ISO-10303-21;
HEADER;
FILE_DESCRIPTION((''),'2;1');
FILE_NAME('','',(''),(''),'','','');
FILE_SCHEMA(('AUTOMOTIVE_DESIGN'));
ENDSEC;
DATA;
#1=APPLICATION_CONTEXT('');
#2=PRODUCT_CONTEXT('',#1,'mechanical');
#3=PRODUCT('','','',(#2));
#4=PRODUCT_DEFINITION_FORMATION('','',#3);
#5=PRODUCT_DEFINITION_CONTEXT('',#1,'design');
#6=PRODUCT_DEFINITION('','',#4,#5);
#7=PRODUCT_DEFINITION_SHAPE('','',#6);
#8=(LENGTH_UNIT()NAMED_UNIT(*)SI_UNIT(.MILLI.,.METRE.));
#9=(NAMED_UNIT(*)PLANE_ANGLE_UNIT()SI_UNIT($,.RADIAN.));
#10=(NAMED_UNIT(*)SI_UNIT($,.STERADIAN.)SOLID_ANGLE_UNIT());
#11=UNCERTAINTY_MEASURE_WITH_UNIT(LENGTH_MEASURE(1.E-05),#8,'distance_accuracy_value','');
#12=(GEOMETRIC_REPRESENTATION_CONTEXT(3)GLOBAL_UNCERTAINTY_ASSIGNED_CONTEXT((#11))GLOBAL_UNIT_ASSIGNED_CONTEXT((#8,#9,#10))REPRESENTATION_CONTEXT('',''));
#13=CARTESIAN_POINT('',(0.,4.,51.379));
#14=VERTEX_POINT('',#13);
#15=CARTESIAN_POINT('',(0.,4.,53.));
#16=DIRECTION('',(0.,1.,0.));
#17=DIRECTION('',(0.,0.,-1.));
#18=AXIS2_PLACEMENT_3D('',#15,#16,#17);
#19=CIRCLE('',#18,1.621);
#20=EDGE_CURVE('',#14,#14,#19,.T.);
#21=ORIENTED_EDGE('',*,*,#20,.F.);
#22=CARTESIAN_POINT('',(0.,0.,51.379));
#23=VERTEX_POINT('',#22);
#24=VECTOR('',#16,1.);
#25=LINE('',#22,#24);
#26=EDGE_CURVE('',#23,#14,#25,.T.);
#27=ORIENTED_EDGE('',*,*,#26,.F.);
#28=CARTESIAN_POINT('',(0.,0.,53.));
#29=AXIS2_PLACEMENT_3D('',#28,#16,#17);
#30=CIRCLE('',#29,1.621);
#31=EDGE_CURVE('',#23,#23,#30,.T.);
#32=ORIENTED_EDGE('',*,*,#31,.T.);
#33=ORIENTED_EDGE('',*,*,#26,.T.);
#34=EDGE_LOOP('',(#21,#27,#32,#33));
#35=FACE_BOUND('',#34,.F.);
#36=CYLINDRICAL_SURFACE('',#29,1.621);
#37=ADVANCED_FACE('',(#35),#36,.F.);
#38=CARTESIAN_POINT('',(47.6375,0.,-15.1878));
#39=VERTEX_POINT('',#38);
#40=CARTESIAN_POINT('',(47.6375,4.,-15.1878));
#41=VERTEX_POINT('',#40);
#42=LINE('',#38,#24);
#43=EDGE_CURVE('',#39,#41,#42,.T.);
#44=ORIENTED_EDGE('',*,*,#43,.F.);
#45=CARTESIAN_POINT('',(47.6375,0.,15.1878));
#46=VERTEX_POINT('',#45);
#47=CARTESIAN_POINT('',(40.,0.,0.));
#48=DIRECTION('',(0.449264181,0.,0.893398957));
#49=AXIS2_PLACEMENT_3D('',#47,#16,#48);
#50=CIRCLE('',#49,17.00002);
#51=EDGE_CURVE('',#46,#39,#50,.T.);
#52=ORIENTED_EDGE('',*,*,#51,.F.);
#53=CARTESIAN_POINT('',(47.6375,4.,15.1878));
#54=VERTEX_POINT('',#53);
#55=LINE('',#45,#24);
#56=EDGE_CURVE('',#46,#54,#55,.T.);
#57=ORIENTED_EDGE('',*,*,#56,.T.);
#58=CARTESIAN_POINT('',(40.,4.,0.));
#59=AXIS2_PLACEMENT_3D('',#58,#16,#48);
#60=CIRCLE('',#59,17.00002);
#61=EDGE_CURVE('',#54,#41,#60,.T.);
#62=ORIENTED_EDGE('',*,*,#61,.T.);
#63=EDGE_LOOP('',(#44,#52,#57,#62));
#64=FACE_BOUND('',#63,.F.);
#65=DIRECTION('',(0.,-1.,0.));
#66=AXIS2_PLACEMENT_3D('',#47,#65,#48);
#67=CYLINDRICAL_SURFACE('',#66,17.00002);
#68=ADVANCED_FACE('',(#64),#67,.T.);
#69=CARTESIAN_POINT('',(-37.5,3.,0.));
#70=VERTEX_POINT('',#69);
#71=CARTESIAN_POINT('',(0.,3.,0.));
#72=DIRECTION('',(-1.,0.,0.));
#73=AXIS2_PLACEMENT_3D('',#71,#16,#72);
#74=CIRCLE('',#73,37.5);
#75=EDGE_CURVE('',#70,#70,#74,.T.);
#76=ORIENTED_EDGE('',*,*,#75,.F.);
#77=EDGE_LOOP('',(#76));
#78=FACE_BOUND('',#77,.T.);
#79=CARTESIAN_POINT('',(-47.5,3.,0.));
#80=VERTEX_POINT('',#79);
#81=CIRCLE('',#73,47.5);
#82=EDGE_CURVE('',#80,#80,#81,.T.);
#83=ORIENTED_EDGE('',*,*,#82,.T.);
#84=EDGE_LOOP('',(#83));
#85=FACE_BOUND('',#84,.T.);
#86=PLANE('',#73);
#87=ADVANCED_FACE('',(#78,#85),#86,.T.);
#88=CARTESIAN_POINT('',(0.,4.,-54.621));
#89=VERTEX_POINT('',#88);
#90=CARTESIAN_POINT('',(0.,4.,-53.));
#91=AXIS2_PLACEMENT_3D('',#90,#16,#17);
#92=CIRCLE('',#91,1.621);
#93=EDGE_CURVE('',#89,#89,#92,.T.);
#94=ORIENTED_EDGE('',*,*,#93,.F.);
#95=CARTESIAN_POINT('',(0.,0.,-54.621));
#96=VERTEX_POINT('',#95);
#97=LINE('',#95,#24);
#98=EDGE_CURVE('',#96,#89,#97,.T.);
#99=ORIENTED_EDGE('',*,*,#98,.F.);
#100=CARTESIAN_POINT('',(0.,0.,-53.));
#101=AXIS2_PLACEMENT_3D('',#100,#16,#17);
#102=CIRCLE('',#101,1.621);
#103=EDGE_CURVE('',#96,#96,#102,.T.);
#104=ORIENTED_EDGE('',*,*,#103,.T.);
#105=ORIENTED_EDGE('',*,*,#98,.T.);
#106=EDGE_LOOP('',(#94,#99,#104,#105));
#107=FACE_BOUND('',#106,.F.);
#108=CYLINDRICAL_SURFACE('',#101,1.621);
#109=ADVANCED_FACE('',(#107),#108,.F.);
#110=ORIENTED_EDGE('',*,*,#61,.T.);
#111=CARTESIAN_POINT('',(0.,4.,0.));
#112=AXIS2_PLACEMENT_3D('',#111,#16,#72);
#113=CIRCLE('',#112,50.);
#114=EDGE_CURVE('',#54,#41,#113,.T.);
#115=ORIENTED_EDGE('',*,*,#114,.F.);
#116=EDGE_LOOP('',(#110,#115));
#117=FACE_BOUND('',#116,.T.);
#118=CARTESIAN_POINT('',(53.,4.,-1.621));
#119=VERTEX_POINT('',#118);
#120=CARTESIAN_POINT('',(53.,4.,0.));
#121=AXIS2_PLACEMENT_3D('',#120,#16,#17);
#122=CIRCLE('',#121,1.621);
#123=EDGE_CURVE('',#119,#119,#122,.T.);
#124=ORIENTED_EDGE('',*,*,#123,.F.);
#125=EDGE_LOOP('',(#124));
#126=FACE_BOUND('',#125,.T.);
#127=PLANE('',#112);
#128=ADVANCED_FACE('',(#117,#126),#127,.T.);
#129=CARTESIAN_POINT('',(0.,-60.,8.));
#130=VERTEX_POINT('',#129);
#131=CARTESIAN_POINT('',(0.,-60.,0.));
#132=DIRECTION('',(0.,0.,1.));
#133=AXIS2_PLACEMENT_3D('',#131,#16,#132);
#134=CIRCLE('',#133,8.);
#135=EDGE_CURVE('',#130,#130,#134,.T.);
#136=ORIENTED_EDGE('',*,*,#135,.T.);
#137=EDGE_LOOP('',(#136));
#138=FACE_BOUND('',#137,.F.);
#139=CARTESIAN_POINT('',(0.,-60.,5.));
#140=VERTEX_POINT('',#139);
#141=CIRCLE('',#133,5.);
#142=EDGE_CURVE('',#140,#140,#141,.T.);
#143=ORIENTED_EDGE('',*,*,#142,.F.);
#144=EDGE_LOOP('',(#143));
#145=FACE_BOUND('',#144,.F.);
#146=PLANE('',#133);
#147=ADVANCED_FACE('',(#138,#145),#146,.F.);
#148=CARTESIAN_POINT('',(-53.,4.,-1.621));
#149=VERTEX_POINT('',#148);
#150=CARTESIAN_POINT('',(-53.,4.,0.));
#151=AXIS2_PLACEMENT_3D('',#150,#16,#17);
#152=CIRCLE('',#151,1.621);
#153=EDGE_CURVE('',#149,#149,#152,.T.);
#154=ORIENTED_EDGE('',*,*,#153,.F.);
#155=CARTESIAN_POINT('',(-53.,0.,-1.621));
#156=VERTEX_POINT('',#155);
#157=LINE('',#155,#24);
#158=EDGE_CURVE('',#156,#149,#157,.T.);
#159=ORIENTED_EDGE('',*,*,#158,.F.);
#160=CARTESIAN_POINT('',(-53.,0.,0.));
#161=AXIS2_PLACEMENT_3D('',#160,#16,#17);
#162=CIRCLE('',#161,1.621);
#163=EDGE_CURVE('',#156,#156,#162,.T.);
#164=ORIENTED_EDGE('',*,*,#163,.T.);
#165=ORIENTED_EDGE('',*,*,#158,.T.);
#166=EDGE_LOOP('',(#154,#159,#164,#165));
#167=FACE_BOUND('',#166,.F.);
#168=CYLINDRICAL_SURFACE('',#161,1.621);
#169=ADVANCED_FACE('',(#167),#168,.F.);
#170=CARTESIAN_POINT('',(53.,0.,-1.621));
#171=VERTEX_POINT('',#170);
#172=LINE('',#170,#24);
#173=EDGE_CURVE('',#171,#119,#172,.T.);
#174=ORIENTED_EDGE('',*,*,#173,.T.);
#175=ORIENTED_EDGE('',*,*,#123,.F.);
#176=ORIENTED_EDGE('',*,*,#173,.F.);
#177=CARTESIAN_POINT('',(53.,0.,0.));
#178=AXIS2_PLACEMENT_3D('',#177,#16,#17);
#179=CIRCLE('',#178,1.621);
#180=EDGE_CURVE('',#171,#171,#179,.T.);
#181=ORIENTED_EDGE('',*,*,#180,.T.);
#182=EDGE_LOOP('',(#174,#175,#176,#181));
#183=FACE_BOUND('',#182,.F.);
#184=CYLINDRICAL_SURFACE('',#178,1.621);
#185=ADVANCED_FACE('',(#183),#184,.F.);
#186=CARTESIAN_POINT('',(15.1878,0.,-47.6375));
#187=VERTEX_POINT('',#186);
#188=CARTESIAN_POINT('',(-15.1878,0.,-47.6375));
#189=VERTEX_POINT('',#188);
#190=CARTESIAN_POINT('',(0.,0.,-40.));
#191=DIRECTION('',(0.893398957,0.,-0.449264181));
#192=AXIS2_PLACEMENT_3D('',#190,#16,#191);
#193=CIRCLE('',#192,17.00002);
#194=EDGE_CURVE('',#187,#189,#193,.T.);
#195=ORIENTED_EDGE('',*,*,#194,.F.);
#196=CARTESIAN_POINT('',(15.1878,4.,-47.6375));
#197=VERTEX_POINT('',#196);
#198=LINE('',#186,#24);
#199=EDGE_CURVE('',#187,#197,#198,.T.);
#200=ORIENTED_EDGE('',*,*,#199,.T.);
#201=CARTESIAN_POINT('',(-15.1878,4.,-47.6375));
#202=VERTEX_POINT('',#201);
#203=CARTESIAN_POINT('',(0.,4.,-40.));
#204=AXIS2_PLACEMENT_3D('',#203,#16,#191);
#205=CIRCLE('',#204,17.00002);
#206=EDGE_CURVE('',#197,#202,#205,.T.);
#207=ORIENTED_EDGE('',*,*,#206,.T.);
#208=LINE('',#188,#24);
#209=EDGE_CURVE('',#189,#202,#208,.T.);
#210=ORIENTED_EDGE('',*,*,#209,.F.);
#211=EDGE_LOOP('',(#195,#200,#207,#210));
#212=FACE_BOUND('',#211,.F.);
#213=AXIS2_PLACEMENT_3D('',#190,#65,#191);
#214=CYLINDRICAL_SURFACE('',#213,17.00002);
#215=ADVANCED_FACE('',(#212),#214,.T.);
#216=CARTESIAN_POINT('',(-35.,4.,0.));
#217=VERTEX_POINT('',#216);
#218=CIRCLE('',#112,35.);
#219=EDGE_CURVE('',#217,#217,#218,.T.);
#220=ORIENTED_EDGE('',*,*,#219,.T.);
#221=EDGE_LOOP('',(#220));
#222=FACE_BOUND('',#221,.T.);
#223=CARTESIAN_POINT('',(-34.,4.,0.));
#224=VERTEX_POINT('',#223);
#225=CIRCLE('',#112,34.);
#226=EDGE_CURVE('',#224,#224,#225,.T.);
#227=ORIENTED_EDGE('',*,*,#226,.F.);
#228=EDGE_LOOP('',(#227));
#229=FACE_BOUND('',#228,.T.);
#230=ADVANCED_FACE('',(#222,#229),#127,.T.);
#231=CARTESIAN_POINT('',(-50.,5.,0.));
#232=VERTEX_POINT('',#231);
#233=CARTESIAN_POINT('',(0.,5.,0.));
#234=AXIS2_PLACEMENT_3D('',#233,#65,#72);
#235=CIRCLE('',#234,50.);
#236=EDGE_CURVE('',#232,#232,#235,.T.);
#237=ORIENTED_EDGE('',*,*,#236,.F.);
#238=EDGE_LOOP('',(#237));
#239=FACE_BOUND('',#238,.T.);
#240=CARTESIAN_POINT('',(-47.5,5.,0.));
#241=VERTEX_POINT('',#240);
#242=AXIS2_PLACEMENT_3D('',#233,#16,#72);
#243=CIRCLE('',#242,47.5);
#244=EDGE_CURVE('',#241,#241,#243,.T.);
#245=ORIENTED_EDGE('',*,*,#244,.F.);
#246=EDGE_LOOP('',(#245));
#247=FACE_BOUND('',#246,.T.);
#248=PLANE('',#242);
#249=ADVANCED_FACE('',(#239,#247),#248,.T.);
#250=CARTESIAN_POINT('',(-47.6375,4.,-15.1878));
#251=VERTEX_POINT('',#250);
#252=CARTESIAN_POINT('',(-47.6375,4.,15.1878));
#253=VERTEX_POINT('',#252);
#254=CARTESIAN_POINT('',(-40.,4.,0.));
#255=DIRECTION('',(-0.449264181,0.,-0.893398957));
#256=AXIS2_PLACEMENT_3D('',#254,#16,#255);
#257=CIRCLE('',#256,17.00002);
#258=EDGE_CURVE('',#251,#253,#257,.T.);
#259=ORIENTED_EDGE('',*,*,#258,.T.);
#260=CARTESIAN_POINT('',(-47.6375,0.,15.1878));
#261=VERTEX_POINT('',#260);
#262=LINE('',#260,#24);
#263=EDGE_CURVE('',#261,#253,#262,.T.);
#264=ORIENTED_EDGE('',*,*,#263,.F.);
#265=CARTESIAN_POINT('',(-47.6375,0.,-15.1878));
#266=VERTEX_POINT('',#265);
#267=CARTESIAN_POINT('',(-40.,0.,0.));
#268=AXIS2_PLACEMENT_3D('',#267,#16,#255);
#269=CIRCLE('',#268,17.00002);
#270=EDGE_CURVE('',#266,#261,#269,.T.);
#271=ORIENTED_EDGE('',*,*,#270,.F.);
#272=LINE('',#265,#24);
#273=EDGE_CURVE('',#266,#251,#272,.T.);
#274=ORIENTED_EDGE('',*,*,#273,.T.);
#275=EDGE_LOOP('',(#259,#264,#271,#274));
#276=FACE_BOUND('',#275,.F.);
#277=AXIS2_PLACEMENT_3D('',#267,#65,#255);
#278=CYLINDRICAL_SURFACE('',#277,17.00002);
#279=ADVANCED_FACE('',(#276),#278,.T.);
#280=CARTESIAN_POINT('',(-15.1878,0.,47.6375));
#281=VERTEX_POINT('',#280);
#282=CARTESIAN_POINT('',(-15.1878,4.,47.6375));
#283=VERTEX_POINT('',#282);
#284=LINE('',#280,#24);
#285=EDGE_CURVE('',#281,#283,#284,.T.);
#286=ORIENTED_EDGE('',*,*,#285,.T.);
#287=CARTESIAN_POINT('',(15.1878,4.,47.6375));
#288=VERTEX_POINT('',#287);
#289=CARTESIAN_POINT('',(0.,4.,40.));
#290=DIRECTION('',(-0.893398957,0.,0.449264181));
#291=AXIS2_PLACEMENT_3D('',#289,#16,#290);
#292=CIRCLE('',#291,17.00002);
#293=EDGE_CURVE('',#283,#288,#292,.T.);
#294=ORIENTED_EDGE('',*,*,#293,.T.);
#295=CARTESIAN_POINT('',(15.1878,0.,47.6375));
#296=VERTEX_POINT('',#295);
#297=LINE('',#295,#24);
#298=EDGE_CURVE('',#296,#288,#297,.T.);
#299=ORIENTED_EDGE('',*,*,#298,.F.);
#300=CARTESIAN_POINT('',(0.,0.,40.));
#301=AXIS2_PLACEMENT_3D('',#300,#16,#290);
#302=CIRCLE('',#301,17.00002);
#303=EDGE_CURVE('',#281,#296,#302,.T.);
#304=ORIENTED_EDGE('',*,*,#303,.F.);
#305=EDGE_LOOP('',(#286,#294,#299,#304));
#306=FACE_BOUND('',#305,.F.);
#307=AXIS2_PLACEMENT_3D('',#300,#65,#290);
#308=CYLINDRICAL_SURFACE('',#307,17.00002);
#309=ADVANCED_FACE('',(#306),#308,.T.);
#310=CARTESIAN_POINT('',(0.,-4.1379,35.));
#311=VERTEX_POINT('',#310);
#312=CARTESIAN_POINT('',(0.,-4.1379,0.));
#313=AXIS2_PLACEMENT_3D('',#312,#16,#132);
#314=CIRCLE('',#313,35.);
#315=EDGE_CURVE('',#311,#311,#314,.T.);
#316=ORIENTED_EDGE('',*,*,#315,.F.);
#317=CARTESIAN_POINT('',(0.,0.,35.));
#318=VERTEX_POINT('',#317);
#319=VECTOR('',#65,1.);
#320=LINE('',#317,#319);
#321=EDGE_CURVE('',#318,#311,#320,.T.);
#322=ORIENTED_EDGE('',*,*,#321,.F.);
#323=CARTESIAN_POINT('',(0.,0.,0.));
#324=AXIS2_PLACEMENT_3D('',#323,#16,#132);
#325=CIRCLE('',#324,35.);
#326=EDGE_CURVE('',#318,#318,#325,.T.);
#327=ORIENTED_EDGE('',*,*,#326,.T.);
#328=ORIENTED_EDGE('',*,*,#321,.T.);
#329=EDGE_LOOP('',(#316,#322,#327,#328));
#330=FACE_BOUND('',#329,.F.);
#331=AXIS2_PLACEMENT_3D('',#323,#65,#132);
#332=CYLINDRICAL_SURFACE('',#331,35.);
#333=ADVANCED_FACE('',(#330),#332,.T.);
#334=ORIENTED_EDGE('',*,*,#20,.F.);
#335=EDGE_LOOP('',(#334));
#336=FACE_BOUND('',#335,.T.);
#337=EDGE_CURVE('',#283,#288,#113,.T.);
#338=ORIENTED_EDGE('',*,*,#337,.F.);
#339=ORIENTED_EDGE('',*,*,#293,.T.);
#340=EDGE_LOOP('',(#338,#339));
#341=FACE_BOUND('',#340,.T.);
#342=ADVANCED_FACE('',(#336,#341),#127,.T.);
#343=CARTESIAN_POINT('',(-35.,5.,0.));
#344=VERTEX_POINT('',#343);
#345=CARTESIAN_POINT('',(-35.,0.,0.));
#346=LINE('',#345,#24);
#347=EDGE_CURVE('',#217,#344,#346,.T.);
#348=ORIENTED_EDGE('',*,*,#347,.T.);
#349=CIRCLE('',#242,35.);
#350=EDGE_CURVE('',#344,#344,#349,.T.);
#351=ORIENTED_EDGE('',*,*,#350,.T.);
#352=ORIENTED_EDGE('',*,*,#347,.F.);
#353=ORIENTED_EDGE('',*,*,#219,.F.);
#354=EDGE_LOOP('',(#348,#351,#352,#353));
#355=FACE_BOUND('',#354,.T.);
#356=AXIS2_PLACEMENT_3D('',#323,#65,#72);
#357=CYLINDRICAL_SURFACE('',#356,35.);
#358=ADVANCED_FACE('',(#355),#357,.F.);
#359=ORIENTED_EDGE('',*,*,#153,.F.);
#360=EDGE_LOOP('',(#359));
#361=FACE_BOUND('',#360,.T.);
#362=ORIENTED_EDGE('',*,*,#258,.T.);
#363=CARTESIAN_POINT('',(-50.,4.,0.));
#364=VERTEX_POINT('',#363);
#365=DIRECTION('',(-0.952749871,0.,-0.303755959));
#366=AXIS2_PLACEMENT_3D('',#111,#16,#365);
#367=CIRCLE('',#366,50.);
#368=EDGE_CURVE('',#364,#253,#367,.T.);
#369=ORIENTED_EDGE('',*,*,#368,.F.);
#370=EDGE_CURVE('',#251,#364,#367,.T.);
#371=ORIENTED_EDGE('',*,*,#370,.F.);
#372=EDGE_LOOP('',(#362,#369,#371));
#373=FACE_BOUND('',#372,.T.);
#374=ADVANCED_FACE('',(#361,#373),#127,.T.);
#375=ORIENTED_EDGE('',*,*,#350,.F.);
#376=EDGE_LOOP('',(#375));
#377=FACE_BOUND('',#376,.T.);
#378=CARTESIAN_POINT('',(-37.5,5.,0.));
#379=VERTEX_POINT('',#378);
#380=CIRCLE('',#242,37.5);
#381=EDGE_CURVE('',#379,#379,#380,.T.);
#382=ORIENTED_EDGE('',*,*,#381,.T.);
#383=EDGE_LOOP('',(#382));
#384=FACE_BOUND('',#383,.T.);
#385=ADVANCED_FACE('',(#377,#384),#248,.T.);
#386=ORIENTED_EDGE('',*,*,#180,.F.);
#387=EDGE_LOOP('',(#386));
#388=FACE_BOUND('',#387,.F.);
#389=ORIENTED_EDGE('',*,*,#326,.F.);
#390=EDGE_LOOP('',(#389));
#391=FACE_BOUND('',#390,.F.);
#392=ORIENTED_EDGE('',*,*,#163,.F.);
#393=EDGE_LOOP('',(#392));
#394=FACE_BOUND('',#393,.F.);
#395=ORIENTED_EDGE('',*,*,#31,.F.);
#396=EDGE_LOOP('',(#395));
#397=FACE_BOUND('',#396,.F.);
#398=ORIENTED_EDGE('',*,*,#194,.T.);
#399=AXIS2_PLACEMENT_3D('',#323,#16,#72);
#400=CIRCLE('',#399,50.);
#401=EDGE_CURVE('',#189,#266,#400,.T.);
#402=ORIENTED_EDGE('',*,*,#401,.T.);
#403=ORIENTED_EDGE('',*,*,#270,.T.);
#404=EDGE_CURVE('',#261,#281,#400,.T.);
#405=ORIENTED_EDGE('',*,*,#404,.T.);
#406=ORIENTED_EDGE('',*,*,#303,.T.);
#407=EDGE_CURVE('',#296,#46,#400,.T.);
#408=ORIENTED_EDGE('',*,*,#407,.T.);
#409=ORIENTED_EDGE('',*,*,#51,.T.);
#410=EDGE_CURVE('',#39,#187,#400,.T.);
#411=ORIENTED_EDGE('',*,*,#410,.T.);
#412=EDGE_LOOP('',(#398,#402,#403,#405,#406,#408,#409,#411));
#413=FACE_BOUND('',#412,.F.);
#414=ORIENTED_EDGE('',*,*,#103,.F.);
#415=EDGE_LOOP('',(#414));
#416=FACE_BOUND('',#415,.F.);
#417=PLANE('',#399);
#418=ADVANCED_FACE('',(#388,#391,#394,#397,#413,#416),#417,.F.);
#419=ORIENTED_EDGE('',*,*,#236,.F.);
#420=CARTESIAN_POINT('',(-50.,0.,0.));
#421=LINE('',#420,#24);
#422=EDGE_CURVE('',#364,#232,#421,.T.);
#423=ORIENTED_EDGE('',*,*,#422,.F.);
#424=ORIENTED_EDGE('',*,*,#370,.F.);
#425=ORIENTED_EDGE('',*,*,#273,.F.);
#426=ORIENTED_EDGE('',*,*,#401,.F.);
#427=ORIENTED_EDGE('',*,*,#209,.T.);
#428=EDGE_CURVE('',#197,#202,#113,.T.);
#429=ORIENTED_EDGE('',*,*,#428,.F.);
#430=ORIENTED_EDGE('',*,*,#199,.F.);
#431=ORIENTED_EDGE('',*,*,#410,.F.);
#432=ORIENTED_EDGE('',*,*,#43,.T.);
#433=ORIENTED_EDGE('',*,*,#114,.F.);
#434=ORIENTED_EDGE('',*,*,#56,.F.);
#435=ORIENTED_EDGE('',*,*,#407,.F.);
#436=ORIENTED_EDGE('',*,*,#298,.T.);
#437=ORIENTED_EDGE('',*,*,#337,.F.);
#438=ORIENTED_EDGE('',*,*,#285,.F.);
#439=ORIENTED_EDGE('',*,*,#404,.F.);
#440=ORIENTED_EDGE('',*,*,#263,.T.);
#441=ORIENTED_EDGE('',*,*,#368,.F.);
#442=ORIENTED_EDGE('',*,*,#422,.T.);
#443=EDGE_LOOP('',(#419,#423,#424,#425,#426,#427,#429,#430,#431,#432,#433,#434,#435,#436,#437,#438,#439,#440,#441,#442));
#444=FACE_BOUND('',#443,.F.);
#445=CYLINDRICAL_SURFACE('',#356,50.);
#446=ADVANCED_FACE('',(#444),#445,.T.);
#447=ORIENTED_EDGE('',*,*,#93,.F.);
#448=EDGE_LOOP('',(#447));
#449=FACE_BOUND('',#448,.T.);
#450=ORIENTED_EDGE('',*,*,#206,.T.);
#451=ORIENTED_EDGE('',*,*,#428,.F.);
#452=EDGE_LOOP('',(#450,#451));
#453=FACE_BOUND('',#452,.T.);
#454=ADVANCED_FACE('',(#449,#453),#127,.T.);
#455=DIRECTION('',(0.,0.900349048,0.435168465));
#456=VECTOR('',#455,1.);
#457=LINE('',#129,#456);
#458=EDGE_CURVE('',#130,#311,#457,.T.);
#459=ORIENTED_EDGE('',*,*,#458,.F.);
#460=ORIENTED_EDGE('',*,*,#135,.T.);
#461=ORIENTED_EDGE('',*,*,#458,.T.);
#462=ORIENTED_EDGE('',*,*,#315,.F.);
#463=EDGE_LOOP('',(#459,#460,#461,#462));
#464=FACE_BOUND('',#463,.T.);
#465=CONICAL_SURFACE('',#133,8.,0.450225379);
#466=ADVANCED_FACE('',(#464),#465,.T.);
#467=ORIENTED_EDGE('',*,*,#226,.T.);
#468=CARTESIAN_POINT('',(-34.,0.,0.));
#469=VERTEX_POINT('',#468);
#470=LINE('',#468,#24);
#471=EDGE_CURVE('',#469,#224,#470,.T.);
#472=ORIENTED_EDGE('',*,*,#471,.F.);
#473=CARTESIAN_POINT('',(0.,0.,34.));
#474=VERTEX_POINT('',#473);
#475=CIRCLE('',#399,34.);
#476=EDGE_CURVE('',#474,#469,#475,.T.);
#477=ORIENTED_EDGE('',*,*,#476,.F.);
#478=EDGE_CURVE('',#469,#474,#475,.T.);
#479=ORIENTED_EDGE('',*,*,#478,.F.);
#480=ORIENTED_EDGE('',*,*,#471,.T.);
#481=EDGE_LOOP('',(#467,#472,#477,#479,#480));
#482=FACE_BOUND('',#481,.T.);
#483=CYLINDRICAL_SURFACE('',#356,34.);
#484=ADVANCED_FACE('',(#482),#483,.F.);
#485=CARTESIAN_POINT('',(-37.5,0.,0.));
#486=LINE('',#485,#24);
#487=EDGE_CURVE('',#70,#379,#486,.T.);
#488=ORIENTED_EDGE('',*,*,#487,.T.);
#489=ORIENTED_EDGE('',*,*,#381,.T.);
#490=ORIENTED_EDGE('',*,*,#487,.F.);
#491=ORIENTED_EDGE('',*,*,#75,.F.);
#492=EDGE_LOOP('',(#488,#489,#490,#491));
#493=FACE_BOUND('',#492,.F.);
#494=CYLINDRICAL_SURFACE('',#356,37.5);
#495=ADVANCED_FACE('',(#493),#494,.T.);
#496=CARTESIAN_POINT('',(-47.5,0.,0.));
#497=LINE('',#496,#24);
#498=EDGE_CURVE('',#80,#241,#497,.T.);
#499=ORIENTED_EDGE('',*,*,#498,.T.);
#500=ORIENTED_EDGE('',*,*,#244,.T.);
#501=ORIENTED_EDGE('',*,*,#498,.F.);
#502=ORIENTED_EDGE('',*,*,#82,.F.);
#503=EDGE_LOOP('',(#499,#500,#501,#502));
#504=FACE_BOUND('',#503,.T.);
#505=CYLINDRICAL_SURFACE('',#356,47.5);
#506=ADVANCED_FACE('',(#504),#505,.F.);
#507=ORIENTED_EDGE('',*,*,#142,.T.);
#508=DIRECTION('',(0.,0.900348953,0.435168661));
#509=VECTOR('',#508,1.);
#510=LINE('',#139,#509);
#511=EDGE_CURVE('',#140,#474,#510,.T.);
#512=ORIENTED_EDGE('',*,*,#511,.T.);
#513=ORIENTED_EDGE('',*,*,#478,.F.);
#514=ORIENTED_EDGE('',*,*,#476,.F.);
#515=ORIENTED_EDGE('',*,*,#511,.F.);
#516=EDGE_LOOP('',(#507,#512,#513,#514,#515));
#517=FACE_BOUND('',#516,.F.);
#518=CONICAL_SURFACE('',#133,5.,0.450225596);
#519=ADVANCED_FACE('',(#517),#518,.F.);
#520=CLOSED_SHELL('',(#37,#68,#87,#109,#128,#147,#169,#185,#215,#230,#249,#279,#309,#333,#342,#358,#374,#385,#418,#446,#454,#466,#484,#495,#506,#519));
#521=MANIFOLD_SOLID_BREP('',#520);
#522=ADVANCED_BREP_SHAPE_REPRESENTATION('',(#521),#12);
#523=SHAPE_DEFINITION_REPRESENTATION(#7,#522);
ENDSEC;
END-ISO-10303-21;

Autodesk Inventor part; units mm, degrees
ref_plane "YZ Plane" through (0, 0, 0) normal (1, 0, 0) x (0, 1, 0)
ref_plane "XZ Plane" through (0, 0, 0) normal (0, 1, 0) x (-1, 0, 0)
ref_plane "XY Plane" through (0, 0, 0) normal (0, 0, 1) x (1, 0, 0)
sketch "Sketch1" plane through (0, 0, 0) normal (0, 1, 0) x (-1, 0, 0)
  circle A0 centre (0, 0) radius 35
  circle A1 centre (0, 0) radius 34
  circle A2 centre (0, 0) radius 37.5
  circle A3 centre (0, 0) radius 50
  circle A4 centre (0, 0) radius 47.5
  arc A5 (47.6375, -15.1878) -> (47.6375, 15.1878) centre (40, 0) ccw
  arc A6 (15.1878, 47.6375) -> (-15.1878, 47.6375) centre (0, 40) ccw
  arc A7 (-47.6375, 15.1878) -> (-47.6375, -15.1878) centre (-40, 0) ccw
  arc A8 (-15.1878, -47.6375) -> (15.1878, -47.6375) centre (0, -40) ccw
  point P0 (-15.1878, -47.6375)
  point P1 (-47.6375, -15.1878)
  point P2 (-47.6375, 15.1878)
  point P3 (-15.1878, 47.6375)
  point P4 (0, 53)
  point P5 (-53, 0)
  point P6 (-40, 0)
  point P7 (0, -53)
  point P8 (53, 0)
  point P9 (40, 0)
  dimension "d6" = 70
  dimension "d7" = 68
  dimension "d8" = 75
  dimension "d11" = 10
  dimension "d12" = 2.5
  dimension "d13" = 17
  dimension "d14" = 40
  dimension "d17" = 360
  dimension "d27" = 13
  dimension "d30" = 360
extrude "Extrusion1" add sketch "Sketch1" along normal blind 5 contours A2 | A3
extrude "Extrusion2" add sketch "Sketch1" along normal blind 3 contours A4
extrude "Extrusion3" add sketch "Sketch1" along normal blind 4 contours A3 A5 | A3 A6 | A8 A3 | A3 A7
extrude "Extrusion4" add sketch "Sketch1" along normal blind 4 contours A0
hole "Hole1" at (0, 0, 53) at (53, 0, 0) at (0, 0, -53) at (-53, 0, 0) direction (0, 1, 0) diameter 3.242 depth 11.8 thread size "M4x0.7" class "6H" standard "ANSI Metric M Profile"
sketch "Sketch2" plane through (0, 0, 0) normal (1, 0, 0) x (0, 1, 0)
  line L0 (0, 0) -> (0, 34)
  line L1 (0, 15.1878) -> (0, 47.6375) projected
  line L2 (0, 34) -> (0, 35)
  line L3 (0, 35) -> (-60, 35)
  line L4 (-60, 35) -> (-60, 5)
  line L5 (-60, 5) -> (0, 34)
  line L6 (-60, 8) -> (-4.1379, 35)
  line L7 (-4.1379, 35) -> (0, 37)
  line L8 (-72, 0) -> (12, 0) projected
  dimension "d39" = 34
  dimension "d40" = 1
  dimension "d41" = 60
  dimension "d42" = 30
  dimension "d43" = 3
  dimension "d44" = 3
revolve "Revolution1" add sketch "Sketch2" angle 360 about axis through (0, -10, 0) along (0, 1, 0) contours L5 L4 L6 L3 L1
properties part number "LilghtPointLensHolder"
